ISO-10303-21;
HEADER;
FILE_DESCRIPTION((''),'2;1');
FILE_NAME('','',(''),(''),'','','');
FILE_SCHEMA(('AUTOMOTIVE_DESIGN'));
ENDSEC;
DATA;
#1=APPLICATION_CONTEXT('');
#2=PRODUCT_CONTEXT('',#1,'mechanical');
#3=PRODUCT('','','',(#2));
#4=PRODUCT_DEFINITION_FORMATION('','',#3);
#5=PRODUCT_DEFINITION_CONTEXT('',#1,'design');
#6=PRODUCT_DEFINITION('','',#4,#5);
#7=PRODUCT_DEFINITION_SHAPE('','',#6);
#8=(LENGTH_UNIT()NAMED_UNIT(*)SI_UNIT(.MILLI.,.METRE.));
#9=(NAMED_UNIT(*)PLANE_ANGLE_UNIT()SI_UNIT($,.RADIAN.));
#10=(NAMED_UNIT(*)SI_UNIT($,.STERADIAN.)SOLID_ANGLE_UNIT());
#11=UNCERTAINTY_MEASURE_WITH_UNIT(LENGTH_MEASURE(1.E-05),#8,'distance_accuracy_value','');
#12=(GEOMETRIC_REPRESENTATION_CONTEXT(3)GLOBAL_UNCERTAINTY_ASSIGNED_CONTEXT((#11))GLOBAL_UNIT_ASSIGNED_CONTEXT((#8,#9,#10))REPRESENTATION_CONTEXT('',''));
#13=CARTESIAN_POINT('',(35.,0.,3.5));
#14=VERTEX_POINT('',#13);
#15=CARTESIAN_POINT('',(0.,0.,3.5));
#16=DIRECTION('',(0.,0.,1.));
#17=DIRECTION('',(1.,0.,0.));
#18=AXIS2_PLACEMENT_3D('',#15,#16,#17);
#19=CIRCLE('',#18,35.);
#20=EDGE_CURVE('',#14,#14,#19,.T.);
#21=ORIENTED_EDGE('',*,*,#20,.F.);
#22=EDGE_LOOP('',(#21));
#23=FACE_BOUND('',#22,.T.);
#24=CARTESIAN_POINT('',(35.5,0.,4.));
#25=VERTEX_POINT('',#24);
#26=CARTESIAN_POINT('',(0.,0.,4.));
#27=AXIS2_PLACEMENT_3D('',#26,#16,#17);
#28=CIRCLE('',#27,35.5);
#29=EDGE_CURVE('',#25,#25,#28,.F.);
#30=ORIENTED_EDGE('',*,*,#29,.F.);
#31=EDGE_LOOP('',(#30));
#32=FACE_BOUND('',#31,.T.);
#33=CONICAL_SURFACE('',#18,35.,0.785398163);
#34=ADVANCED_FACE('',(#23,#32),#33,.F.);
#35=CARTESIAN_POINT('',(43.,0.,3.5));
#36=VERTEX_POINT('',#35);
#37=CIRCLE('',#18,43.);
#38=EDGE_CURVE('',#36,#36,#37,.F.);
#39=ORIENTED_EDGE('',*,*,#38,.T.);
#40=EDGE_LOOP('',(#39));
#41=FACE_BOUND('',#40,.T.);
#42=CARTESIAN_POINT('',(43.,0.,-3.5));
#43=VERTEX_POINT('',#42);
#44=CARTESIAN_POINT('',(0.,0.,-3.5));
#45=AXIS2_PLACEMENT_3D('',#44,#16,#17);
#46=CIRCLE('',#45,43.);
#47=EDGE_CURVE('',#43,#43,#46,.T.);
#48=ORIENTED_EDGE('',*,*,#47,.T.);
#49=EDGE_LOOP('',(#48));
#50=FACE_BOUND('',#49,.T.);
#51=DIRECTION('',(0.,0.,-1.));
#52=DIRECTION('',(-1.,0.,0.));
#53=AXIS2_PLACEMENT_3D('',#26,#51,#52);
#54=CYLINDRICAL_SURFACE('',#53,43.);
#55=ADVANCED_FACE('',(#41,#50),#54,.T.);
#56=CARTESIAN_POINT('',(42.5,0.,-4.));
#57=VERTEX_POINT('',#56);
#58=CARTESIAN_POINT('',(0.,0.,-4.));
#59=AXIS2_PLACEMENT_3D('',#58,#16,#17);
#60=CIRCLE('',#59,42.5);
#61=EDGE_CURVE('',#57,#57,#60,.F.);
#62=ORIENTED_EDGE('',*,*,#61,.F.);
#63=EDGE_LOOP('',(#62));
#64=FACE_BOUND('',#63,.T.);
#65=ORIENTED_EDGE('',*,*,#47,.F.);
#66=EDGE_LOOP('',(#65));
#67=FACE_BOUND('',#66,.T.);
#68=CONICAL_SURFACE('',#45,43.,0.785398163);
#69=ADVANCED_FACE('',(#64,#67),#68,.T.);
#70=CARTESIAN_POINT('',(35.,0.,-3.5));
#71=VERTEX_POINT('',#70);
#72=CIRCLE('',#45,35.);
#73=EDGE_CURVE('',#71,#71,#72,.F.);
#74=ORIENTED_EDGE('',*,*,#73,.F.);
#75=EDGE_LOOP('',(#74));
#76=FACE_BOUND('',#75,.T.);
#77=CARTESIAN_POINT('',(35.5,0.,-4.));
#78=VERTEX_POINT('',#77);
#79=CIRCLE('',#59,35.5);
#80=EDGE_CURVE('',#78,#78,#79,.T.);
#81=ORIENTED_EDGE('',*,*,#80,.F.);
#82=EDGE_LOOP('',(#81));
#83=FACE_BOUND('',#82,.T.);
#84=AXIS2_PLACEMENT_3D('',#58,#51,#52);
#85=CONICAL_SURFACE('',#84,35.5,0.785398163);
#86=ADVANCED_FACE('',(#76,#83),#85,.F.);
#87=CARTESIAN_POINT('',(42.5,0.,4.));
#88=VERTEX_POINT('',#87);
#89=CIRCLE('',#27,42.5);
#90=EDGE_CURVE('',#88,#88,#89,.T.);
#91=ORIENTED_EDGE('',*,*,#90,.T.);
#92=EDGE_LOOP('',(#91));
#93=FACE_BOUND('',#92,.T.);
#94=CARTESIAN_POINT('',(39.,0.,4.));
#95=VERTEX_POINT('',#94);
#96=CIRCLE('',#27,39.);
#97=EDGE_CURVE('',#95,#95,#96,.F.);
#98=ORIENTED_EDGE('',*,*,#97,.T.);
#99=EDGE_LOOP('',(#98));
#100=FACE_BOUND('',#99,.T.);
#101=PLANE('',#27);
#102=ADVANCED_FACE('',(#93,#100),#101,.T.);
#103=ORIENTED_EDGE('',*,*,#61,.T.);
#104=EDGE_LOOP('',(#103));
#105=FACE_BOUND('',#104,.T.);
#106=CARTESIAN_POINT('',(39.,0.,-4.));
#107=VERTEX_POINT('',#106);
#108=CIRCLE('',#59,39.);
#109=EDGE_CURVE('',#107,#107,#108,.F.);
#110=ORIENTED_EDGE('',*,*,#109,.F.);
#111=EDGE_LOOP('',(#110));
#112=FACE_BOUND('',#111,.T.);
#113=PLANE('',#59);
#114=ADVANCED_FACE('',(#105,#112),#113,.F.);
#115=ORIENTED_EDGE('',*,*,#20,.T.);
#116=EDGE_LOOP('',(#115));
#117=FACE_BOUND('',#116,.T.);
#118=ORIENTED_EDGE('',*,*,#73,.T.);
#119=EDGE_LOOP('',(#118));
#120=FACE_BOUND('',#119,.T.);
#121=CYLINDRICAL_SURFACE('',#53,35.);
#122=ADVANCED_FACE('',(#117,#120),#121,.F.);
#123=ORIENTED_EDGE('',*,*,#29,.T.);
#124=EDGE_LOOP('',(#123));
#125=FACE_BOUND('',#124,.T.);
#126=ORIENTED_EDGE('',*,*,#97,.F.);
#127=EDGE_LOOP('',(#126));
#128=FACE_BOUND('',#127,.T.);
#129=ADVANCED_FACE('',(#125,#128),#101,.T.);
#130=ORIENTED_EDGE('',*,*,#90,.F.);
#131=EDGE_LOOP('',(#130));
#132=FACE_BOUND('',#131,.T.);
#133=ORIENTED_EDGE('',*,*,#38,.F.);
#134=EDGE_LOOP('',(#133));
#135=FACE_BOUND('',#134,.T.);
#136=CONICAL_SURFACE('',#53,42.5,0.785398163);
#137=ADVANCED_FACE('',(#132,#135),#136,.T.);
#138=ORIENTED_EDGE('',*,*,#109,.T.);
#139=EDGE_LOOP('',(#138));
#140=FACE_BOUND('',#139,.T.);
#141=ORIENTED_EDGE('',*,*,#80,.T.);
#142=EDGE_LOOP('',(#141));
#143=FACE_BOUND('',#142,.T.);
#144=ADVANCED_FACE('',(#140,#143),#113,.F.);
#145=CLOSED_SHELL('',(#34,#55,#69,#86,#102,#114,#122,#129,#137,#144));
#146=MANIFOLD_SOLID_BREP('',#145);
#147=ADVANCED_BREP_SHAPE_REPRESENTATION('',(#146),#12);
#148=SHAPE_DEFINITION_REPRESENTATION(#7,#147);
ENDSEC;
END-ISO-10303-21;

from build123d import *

# Parameters (mm, degrees)
SKETCH_1_R      = 43
SKETCH_1_R_2    = 35
EXTRUDE_1_DEPTH = 4
CHAMFER_1_SIZE  = 0.5


with BuildPart() as part:
    # 草图1 → 凸台-拉伸1 (new, symmetric)
    with BuildSketch(Plane.XY):
        Circle(SKETCH_1_R)
        Circle(SKETCH_1_R_2, mode=Mode.SUBTRACT)
    extrude(amount=EXTRUDE_1_DEPTH, both=True)

    # 倒角1
    chamfer_1_edges = [part.edges().sort_by_distance(p)[0] for p in [
        (-43, 0, -4),
        (-43, 0, 4),
        (-35, 0, -4),
        (-35, 0, 4),
    ]]
    chamfer(chamfer_1_edges, length=CHAMFER_1_SIZE)


solid = part.part
